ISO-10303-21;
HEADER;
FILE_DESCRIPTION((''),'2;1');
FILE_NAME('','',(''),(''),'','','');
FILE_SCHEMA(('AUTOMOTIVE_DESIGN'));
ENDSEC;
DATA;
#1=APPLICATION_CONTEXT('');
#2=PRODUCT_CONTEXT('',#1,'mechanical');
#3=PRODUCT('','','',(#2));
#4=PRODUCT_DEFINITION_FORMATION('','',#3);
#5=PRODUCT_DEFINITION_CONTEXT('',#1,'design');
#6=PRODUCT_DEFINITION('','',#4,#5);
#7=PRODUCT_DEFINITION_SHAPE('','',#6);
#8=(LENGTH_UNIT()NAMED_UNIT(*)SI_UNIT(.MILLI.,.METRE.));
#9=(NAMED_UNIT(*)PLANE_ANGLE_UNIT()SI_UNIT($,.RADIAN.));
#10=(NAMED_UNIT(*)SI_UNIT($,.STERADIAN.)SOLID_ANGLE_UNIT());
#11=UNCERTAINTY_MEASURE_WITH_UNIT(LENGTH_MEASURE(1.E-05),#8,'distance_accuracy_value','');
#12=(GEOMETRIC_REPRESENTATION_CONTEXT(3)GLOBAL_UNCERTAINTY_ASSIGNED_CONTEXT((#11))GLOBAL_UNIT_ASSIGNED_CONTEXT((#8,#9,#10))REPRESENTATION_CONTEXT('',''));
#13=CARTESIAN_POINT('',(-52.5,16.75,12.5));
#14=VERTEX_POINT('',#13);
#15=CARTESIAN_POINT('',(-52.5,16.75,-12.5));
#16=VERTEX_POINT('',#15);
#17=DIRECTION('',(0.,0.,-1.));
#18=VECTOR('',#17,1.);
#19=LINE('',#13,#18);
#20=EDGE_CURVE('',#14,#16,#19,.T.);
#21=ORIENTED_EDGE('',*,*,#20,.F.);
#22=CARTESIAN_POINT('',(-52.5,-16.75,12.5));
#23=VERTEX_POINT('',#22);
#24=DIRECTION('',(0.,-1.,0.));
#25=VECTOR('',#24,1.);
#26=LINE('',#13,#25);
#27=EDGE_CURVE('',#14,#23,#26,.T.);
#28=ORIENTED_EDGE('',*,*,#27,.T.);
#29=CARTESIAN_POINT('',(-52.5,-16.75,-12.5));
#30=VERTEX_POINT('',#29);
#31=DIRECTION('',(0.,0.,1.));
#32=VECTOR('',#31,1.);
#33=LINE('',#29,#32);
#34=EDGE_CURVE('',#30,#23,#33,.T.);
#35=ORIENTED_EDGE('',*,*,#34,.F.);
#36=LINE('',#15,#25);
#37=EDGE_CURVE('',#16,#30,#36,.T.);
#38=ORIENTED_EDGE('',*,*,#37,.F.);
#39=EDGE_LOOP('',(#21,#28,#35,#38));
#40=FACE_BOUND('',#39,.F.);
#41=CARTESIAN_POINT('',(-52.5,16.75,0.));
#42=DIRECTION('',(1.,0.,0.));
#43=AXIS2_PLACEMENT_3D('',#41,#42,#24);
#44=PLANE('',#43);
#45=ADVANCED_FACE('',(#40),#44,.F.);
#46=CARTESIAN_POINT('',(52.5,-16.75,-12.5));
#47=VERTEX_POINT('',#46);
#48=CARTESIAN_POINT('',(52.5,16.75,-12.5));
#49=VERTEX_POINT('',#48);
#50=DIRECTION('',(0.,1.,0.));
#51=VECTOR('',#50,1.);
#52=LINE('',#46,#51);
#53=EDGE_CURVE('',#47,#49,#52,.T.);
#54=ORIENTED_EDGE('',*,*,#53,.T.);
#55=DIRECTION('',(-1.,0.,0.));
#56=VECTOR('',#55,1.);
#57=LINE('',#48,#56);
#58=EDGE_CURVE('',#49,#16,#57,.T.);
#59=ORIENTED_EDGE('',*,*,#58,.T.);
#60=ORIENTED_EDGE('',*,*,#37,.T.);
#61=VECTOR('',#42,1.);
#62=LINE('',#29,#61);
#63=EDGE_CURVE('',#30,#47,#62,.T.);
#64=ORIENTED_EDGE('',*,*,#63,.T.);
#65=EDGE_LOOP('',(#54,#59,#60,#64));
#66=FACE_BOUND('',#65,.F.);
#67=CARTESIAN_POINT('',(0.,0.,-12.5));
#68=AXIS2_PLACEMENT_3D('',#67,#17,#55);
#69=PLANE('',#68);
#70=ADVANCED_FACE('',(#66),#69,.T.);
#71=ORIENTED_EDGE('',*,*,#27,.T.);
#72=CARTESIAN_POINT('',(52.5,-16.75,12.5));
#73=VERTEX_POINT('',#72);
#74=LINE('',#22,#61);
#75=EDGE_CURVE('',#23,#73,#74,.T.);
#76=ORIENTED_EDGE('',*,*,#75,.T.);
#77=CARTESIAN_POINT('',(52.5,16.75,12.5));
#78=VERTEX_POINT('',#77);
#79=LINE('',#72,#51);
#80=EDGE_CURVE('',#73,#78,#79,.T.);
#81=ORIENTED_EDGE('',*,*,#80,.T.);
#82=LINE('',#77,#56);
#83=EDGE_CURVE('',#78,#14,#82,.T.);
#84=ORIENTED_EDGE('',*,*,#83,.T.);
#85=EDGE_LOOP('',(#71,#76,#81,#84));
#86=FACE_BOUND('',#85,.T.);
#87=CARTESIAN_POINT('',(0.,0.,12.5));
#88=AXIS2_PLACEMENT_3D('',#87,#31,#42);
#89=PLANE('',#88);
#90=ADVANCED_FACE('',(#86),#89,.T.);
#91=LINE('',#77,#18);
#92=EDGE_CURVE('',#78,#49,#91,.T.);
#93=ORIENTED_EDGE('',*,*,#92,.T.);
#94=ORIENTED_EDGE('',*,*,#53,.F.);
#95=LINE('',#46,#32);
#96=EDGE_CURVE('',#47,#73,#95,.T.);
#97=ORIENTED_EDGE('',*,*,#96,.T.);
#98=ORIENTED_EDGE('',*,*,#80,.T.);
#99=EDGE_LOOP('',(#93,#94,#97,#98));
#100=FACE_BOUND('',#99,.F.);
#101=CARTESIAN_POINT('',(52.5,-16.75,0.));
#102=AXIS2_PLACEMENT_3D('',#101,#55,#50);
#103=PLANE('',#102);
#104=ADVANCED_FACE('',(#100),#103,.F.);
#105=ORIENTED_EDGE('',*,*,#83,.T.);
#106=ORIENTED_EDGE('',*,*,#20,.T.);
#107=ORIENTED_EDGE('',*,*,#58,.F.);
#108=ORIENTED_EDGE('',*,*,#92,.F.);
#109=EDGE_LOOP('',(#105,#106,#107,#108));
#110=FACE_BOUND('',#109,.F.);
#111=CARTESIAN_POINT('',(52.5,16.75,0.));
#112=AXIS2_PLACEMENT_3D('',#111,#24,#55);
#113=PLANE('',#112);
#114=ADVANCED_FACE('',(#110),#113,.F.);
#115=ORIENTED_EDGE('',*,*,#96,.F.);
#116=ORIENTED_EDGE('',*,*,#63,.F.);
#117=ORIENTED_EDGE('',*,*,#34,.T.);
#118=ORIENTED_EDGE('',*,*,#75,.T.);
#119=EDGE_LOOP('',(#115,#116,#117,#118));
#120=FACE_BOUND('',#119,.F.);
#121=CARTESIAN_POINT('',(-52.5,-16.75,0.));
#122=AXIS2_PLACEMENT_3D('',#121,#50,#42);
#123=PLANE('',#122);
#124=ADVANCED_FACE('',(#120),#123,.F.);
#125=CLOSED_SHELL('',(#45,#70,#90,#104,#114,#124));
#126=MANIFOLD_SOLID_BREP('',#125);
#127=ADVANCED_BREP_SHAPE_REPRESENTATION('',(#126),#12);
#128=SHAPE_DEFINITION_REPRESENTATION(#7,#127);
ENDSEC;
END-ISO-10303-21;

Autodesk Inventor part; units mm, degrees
ref_plane "YZ Plane" through (0, 0, 0) normal (1, 0, 0) x (0, 1, 0)
ref_plane "XZ Plane" through (0, 0, 0) normal (0, 1, 0) x (-1, 0, 0)
ref_plane "XY Plane" through (0, 0, 0) normal (0, 0, 1) x (1, 0, 0)
sketch "スケッチ1" plane through (0, 0, 0) normal (0, 0, 1) x (1, 0, 0)
  line L0 (-52.5, -16.75) -> (52.5, -16.75)
  line L1 (52.5, -16.75) -> (52.5, 16.75)
  line L2 (52.5, 16.75) -> (-52.5, 16.75)
  line L3 (-52.5, 16.75) -> (-52.5, -16.75)
  line L4 (-52.5, -16.75) -> (52.5, 16.75) construction
  line L5 (52.5, -16.75) -> (-52.5, 16.75) construction
  point P0 (0, 0)
  dimension "d0" = 105
  dimension "d1" = 33.5
extrude "押し出し1" add sketch "スケッチ1" along normal blind 12.5
mirror "ミラー1" about plane through (0, 0, 0) normal (0, 0, -1) of "押し出し1"
properties part number "バッテリー(G6 HI-VOLTAGE 2400MAH 3S 80CMAX LIPO)"
